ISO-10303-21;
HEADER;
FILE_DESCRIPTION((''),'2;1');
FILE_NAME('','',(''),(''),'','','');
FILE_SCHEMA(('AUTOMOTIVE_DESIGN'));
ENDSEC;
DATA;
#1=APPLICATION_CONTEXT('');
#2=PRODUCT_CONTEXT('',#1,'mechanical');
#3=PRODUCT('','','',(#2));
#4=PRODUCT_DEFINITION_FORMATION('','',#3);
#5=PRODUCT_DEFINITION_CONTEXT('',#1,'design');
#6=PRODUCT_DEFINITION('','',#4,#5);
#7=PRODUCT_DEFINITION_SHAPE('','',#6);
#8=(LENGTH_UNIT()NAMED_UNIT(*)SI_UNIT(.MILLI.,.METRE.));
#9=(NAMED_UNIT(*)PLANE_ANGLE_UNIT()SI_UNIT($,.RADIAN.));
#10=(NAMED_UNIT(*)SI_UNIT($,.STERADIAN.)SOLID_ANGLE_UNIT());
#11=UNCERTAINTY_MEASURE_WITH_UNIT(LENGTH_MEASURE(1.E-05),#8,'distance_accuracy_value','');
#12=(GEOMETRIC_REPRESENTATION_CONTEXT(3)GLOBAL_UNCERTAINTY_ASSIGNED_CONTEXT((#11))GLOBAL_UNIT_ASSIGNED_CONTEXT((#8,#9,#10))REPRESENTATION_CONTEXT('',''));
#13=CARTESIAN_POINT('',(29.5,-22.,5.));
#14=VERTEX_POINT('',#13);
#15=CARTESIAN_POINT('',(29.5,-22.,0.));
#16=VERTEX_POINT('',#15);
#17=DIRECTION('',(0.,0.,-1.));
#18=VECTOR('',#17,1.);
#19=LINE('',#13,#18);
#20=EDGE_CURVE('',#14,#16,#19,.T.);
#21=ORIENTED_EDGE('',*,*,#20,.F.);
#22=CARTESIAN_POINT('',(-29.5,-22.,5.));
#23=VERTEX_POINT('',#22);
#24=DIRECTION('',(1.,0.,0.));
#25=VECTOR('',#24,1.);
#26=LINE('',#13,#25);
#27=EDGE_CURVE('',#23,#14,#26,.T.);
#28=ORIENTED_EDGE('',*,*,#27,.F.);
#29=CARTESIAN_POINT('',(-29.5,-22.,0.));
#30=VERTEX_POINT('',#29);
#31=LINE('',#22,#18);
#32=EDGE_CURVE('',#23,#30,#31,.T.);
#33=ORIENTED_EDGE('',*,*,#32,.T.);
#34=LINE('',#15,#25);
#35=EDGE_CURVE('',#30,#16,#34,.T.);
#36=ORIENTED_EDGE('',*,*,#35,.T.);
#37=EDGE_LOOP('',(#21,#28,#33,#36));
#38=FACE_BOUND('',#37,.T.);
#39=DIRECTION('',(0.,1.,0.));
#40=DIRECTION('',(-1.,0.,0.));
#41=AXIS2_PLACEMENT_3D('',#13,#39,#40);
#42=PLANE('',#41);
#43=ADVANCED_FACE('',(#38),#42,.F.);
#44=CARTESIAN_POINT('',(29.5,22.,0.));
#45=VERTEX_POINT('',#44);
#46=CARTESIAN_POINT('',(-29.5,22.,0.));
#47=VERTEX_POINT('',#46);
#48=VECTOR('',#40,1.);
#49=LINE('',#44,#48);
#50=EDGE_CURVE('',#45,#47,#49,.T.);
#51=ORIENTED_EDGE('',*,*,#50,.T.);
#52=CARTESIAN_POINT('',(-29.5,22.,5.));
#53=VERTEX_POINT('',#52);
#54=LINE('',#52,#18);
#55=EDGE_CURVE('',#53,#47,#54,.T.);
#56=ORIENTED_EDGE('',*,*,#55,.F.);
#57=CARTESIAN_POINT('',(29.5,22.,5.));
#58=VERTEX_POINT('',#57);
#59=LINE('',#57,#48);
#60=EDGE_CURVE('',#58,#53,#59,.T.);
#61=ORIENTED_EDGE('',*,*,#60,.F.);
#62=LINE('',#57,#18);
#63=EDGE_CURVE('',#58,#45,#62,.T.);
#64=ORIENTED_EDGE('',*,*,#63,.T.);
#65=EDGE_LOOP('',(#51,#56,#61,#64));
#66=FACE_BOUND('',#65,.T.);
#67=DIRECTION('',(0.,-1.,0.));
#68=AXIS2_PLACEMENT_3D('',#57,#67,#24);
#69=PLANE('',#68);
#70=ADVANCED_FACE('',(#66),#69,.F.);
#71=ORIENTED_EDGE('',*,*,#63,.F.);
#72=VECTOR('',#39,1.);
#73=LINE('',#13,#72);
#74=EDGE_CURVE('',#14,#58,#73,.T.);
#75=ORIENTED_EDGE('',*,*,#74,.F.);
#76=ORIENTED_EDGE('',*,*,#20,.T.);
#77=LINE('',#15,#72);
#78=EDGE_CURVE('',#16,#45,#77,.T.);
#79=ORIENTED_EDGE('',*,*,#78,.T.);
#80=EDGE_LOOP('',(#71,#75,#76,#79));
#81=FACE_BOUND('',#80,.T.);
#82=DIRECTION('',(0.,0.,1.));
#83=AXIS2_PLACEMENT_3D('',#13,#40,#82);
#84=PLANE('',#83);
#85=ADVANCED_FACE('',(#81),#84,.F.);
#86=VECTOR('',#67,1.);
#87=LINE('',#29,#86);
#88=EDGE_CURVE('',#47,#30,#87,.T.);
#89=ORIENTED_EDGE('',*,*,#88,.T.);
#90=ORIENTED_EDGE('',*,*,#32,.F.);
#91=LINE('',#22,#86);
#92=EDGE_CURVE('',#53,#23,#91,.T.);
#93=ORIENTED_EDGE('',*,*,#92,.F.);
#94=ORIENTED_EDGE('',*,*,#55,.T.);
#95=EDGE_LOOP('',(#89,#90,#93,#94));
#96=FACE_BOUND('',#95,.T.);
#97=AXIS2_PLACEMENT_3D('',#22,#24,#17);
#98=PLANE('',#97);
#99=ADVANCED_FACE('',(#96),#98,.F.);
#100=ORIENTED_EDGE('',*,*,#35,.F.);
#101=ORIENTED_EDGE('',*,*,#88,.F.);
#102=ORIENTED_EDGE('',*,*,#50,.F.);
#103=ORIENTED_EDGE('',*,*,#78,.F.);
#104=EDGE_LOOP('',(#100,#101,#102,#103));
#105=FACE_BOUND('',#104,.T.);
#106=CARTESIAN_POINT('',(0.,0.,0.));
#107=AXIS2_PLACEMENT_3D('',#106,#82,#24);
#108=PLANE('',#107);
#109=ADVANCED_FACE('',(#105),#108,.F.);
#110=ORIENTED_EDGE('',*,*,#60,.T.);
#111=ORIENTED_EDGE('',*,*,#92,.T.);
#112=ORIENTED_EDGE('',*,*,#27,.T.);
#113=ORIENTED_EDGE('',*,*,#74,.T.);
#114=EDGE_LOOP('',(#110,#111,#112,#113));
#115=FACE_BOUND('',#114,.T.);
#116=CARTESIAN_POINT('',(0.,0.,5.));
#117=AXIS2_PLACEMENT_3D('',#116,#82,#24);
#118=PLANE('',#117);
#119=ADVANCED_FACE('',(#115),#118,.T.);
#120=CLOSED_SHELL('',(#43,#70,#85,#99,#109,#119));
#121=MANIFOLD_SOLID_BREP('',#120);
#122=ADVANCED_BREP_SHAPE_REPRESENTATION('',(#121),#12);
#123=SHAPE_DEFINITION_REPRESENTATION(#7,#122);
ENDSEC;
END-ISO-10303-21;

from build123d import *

# Parameters (mm, degrees)
ESBO_O1_W                = 59
ESBO_O1_H                = 44
RESSALTO_EXTRUS_O1_DEPTH = 5


with BuildPart() as part:
    # Esboço1 → Ressalto-extrusão1 (new body)
    with BuildSketch(Plane.XY):
        Rectangle(ESBO_O1_W, ESBO_O1_H)
    extrude(amount=RESSALTO_EXTRUS_O1_DEPTH)


solid = part.part
